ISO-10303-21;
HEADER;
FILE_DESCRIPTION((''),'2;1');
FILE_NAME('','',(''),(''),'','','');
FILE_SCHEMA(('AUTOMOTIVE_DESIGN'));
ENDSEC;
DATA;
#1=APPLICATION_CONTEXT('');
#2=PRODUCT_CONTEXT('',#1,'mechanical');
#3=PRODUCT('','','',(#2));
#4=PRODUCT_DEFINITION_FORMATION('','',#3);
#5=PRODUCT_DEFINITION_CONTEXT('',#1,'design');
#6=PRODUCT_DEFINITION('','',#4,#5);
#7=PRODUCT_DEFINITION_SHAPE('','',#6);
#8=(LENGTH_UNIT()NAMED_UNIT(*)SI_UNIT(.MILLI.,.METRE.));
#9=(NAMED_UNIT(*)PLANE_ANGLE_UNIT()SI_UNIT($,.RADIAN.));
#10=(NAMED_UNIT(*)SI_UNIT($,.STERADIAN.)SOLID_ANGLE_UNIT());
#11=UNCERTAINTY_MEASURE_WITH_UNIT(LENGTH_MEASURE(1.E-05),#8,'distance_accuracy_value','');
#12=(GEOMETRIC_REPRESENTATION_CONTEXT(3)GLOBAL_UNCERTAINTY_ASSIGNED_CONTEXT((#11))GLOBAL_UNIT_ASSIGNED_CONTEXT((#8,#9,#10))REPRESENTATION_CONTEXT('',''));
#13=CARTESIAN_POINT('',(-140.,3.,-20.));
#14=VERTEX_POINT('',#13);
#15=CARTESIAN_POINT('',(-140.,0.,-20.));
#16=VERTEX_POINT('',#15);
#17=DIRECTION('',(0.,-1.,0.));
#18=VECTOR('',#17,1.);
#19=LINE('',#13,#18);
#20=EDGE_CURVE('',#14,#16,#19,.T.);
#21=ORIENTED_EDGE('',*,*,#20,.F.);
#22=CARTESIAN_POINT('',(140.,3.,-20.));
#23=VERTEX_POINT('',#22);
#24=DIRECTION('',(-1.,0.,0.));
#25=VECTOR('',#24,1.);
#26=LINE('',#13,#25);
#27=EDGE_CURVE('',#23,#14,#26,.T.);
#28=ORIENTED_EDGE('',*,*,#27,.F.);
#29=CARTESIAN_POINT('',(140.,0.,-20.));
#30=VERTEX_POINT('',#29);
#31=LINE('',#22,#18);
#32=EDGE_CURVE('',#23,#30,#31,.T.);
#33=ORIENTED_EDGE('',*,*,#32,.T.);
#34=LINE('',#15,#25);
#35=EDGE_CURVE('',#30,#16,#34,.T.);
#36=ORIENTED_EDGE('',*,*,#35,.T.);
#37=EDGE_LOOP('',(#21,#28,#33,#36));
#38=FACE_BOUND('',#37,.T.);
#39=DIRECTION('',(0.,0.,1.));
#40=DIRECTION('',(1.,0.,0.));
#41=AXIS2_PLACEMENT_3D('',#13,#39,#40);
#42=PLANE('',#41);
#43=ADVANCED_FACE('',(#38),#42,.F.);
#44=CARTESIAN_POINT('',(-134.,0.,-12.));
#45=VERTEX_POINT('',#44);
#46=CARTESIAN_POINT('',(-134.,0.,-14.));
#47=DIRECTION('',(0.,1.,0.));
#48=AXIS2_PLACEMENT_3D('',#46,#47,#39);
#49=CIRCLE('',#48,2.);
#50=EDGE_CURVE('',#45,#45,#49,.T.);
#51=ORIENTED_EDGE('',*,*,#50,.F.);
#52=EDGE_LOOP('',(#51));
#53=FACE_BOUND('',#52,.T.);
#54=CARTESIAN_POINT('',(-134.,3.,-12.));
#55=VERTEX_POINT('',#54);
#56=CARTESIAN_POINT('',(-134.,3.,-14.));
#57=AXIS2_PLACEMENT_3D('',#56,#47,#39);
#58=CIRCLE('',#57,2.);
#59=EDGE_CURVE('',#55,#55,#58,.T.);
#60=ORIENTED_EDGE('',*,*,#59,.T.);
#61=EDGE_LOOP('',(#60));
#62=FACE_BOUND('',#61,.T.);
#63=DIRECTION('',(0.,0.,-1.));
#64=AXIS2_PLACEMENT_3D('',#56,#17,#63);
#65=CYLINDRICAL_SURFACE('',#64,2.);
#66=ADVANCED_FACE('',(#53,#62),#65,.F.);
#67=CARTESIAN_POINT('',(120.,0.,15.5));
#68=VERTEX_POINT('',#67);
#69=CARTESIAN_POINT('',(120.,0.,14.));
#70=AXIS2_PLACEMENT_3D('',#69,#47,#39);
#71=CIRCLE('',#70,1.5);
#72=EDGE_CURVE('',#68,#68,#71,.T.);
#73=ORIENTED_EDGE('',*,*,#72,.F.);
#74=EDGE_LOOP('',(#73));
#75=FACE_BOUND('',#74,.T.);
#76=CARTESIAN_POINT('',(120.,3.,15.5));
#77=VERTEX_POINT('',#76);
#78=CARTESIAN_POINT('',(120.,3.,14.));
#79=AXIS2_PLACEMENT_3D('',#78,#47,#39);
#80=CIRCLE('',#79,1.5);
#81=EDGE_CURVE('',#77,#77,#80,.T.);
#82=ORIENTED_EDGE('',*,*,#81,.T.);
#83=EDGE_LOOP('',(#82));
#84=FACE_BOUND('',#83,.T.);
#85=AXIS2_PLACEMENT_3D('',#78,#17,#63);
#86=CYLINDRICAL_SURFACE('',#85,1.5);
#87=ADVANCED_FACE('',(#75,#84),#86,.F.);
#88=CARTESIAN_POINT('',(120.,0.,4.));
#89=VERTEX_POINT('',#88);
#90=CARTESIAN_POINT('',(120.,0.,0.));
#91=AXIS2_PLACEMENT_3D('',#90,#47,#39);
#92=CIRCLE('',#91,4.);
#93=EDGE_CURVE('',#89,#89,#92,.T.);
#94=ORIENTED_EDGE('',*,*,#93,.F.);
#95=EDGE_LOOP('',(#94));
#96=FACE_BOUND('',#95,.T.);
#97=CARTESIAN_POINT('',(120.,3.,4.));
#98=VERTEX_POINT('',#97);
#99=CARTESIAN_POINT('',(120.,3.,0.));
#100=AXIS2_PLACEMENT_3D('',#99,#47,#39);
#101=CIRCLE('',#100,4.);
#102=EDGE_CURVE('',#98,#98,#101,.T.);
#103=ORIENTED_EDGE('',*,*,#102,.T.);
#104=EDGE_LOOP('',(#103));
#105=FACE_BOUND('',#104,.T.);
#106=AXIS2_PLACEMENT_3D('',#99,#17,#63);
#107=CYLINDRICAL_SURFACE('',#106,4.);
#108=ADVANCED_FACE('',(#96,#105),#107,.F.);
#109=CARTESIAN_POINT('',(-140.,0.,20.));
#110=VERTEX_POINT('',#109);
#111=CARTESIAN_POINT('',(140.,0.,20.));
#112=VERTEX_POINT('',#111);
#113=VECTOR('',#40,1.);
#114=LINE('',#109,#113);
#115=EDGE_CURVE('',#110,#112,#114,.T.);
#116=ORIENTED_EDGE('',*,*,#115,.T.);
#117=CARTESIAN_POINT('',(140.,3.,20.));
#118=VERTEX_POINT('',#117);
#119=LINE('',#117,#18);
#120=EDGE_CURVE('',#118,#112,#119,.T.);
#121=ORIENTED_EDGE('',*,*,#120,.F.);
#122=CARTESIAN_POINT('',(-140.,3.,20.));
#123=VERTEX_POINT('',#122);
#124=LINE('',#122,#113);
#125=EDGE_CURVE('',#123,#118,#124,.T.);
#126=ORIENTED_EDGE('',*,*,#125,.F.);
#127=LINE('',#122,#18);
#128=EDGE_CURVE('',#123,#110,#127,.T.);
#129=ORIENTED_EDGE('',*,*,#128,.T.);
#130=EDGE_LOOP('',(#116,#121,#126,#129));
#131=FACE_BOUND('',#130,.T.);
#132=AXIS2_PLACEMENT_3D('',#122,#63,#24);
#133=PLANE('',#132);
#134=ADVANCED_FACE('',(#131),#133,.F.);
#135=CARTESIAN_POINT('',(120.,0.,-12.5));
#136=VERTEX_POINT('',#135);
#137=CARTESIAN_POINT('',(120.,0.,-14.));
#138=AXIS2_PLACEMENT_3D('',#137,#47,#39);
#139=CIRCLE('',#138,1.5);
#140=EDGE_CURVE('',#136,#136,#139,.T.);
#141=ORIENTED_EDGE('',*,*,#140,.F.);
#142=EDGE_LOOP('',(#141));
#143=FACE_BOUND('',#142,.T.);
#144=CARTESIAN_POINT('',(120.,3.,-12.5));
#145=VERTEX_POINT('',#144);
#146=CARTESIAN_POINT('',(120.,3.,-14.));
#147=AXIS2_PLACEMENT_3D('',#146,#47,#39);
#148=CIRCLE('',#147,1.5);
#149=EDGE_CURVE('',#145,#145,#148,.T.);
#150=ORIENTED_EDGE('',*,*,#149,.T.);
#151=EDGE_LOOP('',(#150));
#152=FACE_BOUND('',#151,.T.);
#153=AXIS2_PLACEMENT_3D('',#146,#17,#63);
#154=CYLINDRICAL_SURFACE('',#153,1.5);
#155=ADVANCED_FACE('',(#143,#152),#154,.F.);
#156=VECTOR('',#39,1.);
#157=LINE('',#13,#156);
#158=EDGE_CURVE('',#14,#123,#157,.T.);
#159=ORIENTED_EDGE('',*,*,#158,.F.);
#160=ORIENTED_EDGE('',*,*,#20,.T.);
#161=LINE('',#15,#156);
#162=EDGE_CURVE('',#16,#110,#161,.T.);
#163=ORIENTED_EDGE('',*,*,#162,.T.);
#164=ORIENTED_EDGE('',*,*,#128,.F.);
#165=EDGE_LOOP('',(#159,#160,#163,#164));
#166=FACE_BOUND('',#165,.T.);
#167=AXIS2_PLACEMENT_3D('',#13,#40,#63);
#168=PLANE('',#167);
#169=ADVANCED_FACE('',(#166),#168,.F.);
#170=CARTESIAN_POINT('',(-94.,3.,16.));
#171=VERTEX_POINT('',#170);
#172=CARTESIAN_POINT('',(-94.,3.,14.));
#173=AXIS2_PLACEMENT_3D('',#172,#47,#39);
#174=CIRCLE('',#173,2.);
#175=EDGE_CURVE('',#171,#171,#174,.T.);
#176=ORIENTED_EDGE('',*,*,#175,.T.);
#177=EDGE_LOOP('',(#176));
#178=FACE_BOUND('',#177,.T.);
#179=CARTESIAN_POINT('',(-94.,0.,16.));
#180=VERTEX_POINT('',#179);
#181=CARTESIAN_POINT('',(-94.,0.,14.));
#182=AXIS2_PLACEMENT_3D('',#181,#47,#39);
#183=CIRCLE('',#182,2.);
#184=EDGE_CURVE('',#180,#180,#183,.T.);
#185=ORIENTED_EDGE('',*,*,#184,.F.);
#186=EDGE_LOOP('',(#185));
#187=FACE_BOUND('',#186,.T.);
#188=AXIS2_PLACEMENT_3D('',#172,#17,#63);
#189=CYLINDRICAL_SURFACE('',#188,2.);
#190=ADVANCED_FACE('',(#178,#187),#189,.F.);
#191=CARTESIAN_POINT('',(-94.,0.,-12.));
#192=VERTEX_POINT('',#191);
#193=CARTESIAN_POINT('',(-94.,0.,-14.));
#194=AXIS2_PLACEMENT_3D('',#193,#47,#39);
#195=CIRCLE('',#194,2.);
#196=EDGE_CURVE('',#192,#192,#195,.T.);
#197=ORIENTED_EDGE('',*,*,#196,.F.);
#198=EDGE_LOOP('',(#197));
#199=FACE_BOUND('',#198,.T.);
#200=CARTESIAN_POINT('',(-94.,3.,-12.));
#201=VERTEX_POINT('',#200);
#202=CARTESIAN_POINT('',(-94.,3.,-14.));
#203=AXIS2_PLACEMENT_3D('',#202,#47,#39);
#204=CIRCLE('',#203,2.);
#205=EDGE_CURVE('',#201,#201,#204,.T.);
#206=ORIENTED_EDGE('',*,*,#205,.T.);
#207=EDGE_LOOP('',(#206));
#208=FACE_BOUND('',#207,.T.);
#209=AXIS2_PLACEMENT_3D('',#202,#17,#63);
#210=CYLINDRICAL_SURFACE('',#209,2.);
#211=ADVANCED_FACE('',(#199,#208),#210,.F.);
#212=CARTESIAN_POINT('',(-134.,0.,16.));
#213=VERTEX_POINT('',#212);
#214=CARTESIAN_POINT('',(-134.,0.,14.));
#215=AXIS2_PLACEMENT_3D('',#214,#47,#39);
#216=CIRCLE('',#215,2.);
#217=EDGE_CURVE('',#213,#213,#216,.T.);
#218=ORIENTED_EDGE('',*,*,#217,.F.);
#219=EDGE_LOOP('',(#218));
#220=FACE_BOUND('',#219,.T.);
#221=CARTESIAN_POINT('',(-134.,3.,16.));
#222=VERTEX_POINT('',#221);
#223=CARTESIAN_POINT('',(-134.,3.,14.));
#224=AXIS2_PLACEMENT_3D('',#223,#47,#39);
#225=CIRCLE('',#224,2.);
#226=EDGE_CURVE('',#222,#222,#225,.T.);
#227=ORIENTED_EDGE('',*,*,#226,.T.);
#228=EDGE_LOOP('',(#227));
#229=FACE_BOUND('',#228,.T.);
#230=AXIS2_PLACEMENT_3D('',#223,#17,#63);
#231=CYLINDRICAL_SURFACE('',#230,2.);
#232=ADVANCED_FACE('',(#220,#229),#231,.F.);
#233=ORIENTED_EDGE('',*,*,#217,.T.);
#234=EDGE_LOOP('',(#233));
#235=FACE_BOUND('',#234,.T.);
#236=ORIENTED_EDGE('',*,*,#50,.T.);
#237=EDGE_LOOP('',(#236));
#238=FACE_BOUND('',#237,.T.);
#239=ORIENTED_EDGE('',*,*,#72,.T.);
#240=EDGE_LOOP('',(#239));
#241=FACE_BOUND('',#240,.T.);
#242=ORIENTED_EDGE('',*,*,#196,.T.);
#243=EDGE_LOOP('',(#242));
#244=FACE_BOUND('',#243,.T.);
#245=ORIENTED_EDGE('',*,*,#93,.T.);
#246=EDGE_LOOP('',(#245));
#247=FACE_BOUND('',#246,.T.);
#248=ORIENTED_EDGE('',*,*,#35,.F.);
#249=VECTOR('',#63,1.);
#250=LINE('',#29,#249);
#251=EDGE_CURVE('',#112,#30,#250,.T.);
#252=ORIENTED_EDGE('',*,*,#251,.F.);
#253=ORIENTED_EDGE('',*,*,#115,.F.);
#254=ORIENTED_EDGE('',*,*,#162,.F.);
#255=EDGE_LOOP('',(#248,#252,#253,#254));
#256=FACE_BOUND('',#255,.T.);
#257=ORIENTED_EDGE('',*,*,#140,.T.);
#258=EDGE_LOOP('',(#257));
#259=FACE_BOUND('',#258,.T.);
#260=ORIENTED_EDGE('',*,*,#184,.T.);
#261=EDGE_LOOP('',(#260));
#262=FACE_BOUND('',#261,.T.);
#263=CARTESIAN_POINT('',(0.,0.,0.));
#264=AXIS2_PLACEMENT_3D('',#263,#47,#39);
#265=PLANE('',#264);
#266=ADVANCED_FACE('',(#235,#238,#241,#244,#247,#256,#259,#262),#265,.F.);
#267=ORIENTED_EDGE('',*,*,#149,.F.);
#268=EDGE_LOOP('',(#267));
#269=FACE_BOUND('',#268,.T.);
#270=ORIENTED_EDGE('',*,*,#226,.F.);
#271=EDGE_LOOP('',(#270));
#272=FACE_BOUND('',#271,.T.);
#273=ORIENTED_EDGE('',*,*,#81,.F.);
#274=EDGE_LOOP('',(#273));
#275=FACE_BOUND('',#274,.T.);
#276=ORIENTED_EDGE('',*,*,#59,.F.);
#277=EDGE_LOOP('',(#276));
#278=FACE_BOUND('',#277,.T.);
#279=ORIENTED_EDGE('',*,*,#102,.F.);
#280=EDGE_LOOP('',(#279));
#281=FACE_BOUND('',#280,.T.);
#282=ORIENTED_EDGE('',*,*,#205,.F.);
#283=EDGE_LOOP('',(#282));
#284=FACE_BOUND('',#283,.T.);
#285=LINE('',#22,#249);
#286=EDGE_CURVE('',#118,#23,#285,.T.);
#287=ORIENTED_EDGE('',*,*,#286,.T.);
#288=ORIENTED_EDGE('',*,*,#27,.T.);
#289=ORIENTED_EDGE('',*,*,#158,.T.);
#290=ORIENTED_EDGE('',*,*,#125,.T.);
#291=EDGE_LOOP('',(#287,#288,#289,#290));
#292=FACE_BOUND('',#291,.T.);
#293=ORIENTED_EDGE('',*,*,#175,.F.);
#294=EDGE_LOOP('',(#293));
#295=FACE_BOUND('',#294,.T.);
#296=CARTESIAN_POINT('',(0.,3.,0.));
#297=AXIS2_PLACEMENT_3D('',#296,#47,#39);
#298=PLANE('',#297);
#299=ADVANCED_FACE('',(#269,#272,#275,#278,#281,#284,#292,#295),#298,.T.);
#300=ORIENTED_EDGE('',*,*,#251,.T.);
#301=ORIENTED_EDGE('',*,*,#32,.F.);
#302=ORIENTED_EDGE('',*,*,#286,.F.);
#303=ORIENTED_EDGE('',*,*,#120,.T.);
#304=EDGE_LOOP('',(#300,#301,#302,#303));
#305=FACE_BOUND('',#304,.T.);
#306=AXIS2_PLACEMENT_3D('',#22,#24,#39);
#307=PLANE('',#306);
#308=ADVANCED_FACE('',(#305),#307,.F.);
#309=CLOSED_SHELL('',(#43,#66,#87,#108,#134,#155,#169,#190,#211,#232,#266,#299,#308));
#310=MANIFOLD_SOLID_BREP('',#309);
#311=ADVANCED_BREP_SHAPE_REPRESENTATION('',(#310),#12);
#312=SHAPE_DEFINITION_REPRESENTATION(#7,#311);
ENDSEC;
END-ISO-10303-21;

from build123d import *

# Parameters (mm, degrees)
SKETCH1_W           = 280
SKETCH1_H           = 40
SKETCH1_R           = 2
SKETCH1_R_2         = 4
SKETCH1_R_3         = 1.5
BOSS_EXTRUDE1_DEPTH = 3


with BuildPart() as part:
    # Sketch1 → Boss-Extrude1 (new body)
    with BuildSketch(Plane(origin=(0, 0, 0), x_dir=(1, 0, 0), z_dir=(0, 1, 0))):
        Rectangle(SKETCH1_W, SKETCH1_H)
        with Locations(Location((-134, 14, 0), (0, 0, 270))):
            Circle(SKETCH1_R, mode=Mode.SUBTRACT)
        with Locations(Location((-94, 14, 0), (0, 0, 270))):
            Circle(SKETCH1_R, mode=Mode.SUBTRACT)
        with Locations(Location((-94, -14, 0), (0, 0, 270))):
            Circle(SKETCH1_R, mode=Mode.SUBTRACT)
        with Locations(Location((-134, -14, 0), (0, 0, 270))):
            Circle(SKETCH1_R, mode=Mode.SUBTRACT)
        with Locations(Location((120, 0, 0), (0, 0, 270))):
            Circle(SKETCH1_R_2, mode=Mode.SUBTRACT)
        with Locations(Location((120, 14, 0), (0, 0, 270))):
            Circle(SKETCH1_R_3, mode=Mode.SUBTRACT)
        with Locations(Location((120, -14, 0), (0, 0, 270))):
            Circle(SKETCH1_R_3, mode=Mode.SUBTRACT)
    extrude(amount=BOSS_EXTRUDE1_DEPTH)


solid = part.part
